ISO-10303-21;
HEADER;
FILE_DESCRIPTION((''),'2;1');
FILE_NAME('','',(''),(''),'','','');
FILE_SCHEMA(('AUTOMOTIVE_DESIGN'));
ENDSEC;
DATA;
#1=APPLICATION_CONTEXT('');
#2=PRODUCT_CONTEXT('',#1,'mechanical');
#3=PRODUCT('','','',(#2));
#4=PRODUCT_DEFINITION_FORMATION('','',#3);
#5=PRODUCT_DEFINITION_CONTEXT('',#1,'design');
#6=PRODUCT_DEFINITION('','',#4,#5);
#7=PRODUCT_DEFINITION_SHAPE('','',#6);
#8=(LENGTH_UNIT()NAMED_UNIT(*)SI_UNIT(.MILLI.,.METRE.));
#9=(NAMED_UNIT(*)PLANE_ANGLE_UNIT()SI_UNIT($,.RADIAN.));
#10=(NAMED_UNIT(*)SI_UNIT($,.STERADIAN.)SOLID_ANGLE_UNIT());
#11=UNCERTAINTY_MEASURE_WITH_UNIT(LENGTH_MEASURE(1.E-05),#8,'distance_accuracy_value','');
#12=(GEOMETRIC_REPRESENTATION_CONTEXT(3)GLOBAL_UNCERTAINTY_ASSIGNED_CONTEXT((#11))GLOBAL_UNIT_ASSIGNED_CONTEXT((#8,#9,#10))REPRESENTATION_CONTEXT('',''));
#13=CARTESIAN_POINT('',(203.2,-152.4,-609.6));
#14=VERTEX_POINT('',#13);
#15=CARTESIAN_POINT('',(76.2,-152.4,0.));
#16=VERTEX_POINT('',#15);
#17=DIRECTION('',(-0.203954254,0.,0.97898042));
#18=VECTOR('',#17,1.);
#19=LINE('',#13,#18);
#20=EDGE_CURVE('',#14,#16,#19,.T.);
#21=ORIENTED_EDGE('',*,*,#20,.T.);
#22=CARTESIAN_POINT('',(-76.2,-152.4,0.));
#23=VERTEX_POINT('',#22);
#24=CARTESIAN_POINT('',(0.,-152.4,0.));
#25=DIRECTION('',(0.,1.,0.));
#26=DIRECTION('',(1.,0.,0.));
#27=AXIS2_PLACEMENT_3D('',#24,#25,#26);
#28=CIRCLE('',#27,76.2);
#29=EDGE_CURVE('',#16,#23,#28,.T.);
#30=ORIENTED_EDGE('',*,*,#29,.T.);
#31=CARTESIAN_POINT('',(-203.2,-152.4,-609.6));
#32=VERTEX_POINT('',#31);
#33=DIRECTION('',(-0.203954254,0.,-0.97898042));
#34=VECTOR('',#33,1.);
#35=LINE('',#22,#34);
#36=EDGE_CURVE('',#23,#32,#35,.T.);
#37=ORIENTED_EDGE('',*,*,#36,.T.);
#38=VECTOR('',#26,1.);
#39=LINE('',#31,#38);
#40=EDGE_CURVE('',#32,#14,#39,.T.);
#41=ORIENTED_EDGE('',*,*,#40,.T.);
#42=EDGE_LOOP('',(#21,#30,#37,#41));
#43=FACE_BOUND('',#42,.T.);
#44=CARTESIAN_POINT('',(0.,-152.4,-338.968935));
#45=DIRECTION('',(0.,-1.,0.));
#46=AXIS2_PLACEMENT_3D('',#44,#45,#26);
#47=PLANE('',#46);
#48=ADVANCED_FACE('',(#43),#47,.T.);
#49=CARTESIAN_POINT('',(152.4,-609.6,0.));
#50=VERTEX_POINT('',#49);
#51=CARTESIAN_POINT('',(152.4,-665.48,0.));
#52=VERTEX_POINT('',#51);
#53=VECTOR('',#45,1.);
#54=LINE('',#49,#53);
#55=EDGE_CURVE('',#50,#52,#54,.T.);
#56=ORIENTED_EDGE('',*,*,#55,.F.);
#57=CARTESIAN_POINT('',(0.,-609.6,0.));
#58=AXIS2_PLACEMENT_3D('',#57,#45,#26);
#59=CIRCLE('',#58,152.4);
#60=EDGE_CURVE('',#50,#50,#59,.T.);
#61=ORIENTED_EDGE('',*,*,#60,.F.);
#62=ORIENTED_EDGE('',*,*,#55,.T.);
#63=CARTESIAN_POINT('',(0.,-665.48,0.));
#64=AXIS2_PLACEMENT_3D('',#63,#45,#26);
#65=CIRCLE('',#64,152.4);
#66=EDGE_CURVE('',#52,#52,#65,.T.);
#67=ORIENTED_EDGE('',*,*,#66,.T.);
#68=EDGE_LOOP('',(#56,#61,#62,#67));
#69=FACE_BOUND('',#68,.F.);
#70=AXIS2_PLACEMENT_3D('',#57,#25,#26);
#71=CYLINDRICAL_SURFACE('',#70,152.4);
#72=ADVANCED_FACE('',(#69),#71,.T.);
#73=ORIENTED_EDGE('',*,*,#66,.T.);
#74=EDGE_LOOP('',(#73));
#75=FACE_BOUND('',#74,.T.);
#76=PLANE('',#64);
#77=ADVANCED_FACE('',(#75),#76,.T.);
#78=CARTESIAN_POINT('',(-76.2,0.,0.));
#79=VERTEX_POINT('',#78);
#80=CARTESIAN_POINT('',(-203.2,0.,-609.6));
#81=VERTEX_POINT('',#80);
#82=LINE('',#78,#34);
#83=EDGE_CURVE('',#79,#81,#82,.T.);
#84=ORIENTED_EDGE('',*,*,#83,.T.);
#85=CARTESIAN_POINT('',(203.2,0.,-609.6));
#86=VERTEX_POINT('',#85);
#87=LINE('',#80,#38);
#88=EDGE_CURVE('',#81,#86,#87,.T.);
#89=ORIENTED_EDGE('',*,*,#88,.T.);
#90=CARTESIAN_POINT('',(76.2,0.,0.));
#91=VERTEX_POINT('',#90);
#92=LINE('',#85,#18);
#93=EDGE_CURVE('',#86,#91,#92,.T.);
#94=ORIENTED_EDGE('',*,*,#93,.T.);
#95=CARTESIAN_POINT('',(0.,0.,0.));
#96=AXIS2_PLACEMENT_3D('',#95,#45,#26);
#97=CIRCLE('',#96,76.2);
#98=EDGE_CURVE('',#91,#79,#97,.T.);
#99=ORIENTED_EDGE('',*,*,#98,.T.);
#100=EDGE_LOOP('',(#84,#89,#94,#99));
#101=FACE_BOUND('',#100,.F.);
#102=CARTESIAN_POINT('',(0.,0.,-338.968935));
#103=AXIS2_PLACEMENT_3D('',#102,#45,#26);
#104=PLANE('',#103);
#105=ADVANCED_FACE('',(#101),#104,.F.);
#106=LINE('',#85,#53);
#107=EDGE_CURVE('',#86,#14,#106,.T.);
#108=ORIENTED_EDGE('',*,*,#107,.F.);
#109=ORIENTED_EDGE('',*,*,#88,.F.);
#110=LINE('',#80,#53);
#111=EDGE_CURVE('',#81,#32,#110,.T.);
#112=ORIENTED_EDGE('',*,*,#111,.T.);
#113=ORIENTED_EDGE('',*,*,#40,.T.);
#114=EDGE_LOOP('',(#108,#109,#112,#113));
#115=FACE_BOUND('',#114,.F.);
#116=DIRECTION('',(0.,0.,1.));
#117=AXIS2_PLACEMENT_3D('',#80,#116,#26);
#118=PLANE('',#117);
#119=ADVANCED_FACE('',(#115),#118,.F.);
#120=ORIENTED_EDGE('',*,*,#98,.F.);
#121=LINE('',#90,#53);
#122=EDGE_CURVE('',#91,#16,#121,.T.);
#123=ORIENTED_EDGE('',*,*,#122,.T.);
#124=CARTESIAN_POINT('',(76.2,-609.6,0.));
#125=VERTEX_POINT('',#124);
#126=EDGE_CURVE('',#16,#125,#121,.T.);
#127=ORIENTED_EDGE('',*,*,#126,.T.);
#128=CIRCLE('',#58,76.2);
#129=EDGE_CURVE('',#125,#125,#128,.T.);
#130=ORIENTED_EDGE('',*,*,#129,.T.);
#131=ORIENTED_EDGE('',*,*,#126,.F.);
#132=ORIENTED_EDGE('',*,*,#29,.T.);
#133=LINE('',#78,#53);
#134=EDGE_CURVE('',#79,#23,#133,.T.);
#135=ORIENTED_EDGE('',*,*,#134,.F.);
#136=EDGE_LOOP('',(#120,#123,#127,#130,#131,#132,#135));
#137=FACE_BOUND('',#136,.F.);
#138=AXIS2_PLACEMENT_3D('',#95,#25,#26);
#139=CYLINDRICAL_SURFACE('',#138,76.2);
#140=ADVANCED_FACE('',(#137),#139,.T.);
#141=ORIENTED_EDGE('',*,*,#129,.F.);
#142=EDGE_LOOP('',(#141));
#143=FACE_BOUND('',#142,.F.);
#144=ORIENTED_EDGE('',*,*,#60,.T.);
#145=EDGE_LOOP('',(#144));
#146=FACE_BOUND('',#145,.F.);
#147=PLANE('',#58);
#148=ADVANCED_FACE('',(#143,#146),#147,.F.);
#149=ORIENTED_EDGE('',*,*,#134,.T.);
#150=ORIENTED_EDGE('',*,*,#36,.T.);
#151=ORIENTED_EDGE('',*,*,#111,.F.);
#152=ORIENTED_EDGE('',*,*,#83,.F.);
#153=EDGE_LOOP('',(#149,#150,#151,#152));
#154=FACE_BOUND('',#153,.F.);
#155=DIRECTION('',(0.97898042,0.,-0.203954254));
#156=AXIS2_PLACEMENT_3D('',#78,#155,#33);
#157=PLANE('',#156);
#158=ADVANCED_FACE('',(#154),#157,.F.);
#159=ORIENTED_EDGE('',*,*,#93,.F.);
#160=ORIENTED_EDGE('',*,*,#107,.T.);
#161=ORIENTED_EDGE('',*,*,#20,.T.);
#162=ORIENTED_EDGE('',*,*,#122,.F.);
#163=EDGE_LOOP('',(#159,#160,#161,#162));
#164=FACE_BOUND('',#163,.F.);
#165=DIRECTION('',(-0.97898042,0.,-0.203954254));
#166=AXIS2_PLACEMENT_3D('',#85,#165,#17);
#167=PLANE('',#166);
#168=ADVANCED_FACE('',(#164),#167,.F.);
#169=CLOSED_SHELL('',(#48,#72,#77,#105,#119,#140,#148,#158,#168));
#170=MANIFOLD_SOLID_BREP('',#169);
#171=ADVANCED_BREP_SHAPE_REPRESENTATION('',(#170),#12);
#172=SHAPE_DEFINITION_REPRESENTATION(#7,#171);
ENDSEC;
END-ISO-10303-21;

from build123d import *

# Parameters (mm, degrees)
F1_DEPTH = 609.6
F2_DEPTH = 152.4
F3_R     = 152.4
F4_DEPTH = 55.88


with BuildPart() as f1:
    # F0 (on Front) → F1 (new body)
    with BuildSketch(Plane.XZ):
        with BuildLine():
            ThreePointArc((-76.2, 0), (0, -76.2), (76.2, 0))
            ThreePointArc((76.2, 0), (0, 76.2), (-76.2, 0))
        make_face()
    extrude(amount=F1_DEPTH)

    # F0 (on Front) → F2 (join)
    with BuildSketch(Plane.XZ):
        with BuildLine():
            Line((203.2, -609.6), (76.2, 0))
            ThreePointArc((76.2, 0), (0, -76.2), (-76.2, 0))
            Line((-76.2, 0), (-203.2, -609.6))
            Line((-203.2, -609.6), (203.2, -609.6))
        make_face()
    extrude(amount=F2_DEPTH)

    # F3 (on face) → F4 (join)
    with BuildSketch(Plane.XZ.offset(609.6)):
        Circle(F3_R)
    extrude(amount=F4_DEPTH)


solid = f1.part
